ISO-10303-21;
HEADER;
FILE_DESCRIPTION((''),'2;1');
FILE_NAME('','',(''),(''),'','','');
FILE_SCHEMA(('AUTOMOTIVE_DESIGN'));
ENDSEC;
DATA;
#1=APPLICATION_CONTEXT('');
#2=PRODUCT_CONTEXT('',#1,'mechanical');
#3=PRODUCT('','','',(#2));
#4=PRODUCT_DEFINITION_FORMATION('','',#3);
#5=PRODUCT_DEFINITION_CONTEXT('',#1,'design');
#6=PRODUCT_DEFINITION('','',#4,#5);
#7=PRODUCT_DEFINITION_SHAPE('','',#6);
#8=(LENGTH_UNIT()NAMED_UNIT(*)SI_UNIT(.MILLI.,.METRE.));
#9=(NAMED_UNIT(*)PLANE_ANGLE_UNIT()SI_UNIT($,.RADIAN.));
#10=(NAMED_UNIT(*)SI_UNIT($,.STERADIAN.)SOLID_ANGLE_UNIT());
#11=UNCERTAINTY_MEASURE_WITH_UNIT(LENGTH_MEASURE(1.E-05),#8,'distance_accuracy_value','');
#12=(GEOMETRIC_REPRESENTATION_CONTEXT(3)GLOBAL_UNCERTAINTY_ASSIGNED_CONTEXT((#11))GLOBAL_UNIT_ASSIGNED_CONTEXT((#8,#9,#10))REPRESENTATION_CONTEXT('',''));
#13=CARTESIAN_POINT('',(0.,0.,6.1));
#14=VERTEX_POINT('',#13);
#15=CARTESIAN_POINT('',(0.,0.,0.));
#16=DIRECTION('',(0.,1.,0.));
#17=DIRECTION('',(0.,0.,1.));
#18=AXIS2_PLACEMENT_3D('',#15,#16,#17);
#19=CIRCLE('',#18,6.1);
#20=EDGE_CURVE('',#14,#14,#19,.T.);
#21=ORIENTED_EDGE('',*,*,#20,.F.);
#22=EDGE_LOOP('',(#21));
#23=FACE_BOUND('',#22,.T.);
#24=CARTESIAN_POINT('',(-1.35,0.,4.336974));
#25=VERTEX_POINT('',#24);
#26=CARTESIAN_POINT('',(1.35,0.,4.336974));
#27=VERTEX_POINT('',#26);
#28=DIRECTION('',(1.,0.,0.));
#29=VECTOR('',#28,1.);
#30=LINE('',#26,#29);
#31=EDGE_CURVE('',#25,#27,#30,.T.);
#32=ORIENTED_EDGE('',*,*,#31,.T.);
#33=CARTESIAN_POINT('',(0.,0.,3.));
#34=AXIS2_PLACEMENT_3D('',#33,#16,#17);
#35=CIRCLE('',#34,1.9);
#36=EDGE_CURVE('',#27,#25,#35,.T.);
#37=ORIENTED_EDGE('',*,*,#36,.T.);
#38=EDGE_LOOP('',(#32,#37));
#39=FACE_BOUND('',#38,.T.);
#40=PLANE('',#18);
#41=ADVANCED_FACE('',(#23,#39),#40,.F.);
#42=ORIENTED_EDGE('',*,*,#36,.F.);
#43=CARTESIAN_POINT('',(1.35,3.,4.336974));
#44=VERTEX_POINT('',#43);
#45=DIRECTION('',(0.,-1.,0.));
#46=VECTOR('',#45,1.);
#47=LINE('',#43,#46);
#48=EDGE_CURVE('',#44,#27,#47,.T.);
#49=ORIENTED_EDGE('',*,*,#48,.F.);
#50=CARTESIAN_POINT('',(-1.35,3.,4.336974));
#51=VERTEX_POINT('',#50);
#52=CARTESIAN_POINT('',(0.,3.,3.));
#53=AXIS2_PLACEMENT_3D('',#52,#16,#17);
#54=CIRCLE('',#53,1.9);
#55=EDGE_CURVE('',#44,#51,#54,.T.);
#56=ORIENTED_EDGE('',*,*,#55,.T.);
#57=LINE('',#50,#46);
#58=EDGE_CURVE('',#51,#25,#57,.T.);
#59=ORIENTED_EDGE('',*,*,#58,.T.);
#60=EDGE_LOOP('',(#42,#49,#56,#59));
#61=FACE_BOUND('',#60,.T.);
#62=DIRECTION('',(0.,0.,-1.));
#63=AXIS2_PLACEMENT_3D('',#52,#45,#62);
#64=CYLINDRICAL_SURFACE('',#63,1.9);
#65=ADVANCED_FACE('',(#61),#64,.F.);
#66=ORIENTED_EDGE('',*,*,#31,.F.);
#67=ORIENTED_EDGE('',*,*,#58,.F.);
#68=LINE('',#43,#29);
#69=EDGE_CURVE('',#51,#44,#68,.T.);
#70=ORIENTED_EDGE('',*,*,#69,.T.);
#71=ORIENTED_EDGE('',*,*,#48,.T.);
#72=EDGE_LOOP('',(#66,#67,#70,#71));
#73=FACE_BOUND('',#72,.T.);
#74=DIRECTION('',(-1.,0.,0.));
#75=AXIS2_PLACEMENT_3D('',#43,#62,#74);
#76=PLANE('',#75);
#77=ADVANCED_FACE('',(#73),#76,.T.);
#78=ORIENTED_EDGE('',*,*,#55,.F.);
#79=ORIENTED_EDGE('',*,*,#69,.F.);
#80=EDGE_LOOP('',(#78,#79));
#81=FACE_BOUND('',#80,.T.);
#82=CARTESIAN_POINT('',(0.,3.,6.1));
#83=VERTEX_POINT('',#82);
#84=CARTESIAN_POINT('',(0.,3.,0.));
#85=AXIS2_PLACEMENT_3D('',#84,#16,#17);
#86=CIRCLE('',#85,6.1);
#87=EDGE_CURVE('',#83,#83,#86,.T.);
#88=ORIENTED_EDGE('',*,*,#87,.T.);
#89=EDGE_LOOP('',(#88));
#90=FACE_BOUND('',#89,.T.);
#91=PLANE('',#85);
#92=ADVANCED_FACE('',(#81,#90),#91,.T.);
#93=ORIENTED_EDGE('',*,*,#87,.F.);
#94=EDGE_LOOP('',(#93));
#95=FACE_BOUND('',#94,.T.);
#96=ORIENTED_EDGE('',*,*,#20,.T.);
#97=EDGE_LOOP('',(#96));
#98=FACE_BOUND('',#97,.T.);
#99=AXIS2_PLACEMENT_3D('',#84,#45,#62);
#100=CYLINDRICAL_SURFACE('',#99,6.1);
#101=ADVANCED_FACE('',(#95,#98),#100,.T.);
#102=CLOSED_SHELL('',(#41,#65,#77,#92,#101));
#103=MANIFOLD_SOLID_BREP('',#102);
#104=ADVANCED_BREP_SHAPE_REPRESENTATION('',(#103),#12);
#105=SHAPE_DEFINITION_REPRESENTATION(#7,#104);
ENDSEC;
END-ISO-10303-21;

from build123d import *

# Parameters (mm, degrees)
SKETCH1_R           = 6.1
BOSS_EXTRUDE1_DEPTH = 3


with BuildPart() as part:
    # Sketch1 → Boss-Extrude1 (new body)
    with BuildSketch(Plane(origin=(0, 0, 0), x_dir=(1, 0, 0), z_dir=(0, 1, 0))):
        Circle(SKETCH1_R)
        with BuildLine():
            Line((1.35, -4.336974196), (-1.35, -4.336974196))
            ThreePointArc((-1.35, -4.336974196), (0, -1.1), (1.35, -4.336974196))
        make_face(mode=Mode.SUBTRACT)
    extrude(amount=BOSS_EXTRUDE1_DEPTH)


solid = part.part
